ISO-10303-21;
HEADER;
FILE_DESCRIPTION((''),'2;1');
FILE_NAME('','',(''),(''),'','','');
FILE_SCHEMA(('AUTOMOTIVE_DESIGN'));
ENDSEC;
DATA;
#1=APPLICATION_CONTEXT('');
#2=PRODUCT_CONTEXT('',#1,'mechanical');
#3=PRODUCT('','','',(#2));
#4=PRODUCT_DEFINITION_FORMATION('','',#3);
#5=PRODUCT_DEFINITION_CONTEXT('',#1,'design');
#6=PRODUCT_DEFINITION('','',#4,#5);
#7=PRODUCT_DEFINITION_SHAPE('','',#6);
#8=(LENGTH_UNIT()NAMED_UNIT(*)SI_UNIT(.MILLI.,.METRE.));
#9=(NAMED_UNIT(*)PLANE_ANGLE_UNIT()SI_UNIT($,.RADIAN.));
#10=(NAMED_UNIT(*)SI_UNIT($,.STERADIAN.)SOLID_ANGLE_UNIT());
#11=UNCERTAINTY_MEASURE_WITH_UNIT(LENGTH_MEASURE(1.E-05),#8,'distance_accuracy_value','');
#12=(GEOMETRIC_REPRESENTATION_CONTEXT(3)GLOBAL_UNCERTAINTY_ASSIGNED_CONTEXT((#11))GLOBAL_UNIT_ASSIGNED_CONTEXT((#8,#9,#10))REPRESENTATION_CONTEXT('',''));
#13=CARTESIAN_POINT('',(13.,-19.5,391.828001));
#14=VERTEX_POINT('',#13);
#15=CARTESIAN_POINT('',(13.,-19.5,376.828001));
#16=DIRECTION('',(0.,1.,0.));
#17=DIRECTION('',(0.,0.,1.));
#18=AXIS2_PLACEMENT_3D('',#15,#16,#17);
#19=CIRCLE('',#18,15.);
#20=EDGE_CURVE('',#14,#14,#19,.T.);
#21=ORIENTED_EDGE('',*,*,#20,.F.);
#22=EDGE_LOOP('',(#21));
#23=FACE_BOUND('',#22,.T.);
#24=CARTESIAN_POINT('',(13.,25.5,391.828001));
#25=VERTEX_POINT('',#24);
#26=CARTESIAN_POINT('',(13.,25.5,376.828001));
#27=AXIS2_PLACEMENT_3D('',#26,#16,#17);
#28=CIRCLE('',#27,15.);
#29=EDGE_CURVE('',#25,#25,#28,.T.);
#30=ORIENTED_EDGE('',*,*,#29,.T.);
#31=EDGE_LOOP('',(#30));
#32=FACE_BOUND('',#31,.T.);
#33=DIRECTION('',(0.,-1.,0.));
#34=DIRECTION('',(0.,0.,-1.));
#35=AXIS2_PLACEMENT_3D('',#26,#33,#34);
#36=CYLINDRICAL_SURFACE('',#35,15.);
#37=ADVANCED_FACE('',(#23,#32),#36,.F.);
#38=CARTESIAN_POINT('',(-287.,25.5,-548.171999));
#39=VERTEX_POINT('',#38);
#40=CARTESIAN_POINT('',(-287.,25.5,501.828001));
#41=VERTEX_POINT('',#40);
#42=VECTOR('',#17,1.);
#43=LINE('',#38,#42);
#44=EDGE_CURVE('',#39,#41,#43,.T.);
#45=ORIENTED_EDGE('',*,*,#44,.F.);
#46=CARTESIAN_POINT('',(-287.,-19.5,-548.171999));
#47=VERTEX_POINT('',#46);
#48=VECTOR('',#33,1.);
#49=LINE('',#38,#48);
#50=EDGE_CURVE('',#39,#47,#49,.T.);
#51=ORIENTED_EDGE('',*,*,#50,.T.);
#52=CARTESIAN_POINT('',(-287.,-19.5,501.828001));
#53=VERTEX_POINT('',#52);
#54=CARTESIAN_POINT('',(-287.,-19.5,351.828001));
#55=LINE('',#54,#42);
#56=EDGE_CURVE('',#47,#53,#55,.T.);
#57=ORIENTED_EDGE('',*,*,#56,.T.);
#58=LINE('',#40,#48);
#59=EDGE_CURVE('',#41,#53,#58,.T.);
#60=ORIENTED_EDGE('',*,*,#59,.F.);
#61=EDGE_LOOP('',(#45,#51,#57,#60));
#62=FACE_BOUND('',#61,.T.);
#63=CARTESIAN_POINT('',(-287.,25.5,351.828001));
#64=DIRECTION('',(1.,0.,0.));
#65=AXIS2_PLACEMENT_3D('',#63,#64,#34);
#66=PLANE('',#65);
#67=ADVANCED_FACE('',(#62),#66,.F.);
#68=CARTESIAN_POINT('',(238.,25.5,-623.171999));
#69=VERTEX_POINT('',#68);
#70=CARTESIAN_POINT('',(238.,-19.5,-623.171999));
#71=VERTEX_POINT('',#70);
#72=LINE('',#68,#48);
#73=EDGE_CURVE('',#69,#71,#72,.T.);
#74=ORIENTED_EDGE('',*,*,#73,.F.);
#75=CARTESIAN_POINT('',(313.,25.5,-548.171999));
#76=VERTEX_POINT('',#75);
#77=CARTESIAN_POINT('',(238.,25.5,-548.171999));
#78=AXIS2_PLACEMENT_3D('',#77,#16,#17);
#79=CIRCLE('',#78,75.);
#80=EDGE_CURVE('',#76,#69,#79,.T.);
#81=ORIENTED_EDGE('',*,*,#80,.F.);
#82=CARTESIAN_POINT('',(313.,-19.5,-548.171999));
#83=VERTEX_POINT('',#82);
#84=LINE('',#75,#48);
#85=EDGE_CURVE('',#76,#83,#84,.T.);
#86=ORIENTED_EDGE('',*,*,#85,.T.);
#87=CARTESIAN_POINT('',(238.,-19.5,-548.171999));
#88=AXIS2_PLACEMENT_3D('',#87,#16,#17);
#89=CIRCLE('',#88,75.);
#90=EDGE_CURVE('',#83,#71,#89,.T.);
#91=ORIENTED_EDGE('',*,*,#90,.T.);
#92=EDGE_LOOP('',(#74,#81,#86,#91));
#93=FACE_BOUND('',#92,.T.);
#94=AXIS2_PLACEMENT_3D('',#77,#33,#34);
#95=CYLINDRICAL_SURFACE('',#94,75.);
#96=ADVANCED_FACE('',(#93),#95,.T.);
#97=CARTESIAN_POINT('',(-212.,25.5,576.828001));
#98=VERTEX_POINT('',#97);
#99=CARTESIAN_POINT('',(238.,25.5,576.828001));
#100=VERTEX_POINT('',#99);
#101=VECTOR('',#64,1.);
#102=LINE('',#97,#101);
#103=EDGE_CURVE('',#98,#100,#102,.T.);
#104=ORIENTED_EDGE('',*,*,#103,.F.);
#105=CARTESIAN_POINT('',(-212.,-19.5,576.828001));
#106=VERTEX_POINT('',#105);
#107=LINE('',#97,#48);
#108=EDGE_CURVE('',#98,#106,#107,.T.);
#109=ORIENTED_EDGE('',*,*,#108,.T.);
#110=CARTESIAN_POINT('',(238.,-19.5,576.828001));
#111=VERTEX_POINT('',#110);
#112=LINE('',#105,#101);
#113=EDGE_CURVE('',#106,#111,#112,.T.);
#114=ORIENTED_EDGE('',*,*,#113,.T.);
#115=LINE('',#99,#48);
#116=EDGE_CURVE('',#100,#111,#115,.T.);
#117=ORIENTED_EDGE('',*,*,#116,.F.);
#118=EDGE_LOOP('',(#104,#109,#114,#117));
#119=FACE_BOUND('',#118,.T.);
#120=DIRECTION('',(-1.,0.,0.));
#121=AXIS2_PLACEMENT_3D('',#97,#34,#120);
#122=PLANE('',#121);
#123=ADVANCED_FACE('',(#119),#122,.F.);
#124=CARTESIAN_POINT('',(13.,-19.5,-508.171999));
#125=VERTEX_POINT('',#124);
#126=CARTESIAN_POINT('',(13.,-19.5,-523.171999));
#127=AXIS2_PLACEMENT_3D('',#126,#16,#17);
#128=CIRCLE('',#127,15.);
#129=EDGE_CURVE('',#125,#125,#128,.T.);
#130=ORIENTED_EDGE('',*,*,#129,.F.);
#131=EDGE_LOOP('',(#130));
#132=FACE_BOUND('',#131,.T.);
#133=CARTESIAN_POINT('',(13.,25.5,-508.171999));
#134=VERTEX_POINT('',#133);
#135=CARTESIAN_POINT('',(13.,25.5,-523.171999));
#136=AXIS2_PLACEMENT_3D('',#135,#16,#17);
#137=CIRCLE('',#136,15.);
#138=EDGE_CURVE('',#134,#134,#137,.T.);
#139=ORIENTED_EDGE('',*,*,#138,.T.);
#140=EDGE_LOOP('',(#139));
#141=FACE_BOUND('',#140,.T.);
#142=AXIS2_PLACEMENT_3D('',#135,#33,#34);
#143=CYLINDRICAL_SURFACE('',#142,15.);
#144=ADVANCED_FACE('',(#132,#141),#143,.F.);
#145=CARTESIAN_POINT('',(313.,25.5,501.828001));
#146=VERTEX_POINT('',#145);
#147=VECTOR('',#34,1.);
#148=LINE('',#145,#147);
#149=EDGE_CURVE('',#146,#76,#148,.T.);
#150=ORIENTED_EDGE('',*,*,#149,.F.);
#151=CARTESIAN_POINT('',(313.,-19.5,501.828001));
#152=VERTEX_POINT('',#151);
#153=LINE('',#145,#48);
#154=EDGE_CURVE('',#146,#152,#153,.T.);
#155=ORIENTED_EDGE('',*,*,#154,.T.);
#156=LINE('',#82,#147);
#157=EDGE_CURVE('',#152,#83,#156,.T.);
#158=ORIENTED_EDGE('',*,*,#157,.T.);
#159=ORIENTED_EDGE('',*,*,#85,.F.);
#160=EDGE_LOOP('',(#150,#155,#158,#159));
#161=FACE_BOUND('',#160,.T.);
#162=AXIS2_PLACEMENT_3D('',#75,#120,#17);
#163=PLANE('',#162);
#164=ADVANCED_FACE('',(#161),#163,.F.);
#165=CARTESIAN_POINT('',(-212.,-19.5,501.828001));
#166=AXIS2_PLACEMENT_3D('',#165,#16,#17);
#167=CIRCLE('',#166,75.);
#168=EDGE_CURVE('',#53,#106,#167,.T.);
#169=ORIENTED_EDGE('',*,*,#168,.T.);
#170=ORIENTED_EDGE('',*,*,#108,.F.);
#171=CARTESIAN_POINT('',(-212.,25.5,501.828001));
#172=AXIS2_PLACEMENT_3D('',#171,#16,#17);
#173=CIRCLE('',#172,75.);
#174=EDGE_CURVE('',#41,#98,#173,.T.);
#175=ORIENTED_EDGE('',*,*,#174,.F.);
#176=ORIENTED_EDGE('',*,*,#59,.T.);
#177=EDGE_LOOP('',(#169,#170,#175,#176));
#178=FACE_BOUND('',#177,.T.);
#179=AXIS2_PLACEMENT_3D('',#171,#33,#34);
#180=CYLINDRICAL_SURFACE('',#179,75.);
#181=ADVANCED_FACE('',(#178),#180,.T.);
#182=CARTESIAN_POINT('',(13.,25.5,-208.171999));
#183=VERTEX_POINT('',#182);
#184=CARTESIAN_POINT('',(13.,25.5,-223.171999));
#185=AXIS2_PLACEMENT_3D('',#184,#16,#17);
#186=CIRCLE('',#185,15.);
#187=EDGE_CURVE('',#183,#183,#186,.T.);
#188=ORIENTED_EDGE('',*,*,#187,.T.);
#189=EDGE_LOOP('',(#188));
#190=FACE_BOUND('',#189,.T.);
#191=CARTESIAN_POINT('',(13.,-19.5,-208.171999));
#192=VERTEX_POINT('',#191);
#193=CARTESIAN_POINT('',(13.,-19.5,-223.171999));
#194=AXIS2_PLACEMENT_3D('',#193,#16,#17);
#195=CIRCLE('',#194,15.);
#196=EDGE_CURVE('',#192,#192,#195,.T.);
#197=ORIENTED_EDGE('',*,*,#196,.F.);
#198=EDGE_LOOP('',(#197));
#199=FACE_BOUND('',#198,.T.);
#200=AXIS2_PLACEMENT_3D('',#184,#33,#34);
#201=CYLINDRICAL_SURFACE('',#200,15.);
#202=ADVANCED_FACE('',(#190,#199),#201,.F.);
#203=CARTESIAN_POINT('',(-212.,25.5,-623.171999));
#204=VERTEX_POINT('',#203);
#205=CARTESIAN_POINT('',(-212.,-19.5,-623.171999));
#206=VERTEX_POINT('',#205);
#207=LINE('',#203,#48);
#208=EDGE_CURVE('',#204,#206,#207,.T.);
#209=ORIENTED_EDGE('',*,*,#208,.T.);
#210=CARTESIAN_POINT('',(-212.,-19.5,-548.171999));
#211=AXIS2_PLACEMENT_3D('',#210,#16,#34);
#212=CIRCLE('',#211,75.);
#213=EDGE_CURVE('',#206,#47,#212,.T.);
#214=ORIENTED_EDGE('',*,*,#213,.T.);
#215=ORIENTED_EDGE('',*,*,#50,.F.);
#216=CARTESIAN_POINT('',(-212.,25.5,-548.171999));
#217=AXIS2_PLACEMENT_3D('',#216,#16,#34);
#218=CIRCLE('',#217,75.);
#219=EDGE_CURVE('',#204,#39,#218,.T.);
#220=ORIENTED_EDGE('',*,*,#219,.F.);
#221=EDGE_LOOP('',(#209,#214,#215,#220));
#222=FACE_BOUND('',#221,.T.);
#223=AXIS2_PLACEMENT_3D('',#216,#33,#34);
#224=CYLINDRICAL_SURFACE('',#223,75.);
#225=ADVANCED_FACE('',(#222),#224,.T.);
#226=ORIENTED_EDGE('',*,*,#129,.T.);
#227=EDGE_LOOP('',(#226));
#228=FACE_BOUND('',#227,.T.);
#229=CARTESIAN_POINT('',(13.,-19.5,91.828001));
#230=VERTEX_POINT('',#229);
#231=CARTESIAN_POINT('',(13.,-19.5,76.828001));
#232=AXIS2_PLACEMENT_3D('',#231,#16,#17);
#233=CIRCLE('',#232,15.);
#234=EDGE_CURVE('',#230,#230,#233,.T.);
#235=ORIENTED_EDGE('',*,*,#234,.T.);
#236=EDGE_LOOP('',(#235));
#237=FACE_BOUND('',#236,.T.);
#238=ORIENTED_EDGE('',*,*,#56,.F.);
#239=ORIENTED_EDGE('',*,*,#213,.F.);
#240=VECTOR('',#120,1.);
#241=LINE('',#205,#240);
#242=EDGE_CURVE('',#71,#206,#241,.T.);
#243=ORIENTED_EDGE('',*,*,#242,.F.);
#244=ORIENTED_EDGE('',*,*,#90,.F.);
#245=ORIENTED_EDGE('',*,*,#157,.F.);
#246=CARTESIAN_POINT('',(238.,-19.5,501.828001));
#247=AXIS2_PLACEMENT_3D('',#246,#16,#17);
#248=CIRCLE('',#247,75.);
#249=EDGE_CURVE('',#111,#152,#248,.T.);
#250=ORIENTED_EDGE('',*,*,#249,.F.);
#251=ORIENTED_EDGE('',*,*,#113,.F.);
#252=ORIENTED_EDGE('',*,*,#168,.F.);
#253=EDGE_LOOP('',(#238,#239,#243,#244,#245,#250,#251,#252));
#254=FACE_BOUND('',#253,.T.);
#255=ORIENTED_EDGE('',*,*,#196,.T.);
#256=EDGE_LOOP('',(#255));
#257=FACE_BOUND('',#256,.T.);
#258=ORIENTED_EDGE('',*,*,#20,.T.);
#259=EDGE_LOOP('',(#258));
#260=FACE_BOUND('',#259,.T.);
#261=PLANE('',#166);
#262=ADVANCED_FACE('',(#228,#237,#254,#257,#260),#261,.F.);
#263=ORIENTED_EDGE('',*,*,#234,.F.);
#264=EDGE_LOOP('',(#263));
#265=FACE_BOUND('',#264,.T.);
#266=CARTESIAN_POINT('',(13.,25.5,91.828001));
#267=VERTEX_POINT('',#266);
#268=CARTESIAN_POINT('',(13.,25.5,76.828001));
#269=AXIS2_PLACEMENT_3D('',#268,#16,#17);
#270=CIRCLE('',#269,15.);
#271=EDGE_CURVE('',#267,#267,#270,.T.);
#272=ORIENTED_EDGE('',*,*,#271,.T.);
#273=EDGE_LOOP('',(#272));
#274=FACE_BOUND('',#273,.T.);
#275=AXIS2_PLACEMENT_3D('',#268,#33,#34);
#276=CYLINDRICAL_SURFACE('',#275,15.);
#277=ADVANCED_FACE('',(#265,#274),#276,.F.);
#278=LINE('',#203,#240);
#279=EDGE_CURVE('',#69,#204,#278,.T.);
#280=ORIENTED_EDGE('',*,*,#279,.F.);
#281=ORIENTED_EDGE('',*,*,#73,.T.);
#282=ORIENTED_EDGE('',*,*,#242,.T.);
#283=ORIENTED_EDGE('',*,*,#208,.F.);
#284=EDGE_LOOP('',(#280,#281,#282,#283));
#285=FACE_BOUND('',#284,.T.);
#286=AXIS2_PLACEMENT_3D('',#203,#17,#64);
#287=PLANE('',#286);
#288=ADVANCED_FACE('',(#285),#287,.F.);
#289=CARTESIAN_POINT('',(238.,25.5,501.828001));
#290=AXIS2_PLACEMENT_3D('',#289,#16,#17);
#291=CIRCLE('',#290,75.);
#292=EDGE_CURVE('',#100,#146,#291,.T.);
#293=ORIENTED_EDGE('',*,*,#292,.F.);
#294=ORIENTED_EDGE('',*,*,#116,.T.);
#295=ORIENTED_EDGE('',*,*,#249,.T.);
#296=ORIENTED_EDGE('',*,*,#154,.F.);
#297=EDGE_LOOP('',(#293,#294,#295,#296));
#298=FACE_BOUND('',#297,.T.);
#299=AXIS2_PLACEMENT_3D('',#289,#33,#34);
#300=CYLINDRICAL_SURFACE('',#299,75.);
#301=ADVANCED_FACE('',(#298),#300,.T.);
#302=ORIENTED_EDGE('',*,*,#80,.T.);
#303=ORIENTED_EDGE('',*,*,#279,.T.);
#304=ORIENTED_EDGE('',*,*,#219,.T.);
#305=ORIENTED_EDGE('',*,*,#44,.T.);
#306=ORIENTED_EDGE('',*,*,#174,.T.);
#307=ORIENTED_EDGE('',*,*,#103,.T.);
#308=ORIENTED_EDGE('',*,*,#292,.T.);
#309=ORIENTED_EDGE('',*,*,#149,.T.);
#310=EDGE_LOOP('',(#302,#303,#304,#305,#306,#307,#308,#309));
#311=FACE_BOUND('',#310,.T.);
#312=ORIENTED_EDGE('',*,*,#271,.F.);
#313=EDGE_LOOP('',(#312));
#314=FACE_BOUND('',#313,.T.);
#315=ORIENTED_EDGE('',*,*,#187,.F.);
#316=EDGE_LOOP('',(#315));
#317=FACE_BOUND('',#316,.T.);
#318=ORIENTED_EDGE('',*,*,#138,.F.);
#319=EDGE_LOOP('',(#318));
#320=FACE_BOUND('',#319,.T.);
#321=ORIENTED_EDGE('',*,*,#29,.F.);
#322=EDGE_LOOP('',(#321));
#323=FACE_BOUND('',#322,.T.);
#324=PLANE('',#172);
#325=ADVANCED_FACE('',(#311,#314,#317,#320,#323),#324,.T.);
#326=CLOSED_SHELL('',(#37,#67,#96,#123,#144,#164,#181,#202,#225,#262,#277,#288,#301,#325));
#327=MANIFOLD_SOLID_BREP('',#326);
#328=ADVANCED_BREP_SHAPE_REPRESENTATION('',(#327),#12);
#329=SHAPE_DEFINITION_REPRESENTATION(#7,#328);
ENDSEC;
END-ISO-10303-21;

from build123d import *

# Parameters (mm, degrees)
SKETCH1_R           = 2
BOSS_EXTRUDE1_DEPTH = 6
SCALE1_SCALE        = 7.5


with BuildPart() as part:
    # Sketch1 → Boss-Extrude1 (new body)
    with BuildSketch(Plane(origin=(0, 0, 0), x_dir=(1, 0, 0), z_dir=(0, 1, 0))):
        with BuildLine():
            Line((-27, -27), (-27, -47))
            ThreePointArc((-27, -47), (-24.071067812, -54.071067812), (-17, -57))
            Line((-17, -57), (43, -57))
            ThreePointArc((43, -57), (50.071067812, -54.071067812), (53, -47))
            Line((53, -47), (53, -27))
            Line((53, -27), (53, 93))
            ThreePointArc((53, 93), (50.071067812, 100.071067812), (43, 103))
            Line((43, 103), (-17, 103))
            ThreePointArc((-17, 103), (-24.071067812, 100.071067812), (-27, 93))
            Line((-27, 93), (-27, -27))
        make_face()
        with Locations((13, 89.666666667)):
            Circle(SKETCH1_R, mode=Mode.SUBTRACT)
        with Locations((13, 49.666666667)):
            Circle(SKETCH1_R, mode=Mode.SUBTRACT)
        with Locations((13, 9.666666667)):
            Circle(SKETCH1_R, mode=Mode.SUBTRACT)
        with Locations((13, -30.333333333)):
            Circle(SKETCH1_R, mode=Mode.SUBTRACT)
    extrude(amount=BOSS_EXTRUDE1_DEPTH)


with BuildPart() as part_1:
    # Scale1: scaled about (13, 3, -22.97353869)
    add(part.part.scale(SCALE1_SCALE).moved(Location((-84.5, -19.5, 149.328001485))))


solid = part_1.part
